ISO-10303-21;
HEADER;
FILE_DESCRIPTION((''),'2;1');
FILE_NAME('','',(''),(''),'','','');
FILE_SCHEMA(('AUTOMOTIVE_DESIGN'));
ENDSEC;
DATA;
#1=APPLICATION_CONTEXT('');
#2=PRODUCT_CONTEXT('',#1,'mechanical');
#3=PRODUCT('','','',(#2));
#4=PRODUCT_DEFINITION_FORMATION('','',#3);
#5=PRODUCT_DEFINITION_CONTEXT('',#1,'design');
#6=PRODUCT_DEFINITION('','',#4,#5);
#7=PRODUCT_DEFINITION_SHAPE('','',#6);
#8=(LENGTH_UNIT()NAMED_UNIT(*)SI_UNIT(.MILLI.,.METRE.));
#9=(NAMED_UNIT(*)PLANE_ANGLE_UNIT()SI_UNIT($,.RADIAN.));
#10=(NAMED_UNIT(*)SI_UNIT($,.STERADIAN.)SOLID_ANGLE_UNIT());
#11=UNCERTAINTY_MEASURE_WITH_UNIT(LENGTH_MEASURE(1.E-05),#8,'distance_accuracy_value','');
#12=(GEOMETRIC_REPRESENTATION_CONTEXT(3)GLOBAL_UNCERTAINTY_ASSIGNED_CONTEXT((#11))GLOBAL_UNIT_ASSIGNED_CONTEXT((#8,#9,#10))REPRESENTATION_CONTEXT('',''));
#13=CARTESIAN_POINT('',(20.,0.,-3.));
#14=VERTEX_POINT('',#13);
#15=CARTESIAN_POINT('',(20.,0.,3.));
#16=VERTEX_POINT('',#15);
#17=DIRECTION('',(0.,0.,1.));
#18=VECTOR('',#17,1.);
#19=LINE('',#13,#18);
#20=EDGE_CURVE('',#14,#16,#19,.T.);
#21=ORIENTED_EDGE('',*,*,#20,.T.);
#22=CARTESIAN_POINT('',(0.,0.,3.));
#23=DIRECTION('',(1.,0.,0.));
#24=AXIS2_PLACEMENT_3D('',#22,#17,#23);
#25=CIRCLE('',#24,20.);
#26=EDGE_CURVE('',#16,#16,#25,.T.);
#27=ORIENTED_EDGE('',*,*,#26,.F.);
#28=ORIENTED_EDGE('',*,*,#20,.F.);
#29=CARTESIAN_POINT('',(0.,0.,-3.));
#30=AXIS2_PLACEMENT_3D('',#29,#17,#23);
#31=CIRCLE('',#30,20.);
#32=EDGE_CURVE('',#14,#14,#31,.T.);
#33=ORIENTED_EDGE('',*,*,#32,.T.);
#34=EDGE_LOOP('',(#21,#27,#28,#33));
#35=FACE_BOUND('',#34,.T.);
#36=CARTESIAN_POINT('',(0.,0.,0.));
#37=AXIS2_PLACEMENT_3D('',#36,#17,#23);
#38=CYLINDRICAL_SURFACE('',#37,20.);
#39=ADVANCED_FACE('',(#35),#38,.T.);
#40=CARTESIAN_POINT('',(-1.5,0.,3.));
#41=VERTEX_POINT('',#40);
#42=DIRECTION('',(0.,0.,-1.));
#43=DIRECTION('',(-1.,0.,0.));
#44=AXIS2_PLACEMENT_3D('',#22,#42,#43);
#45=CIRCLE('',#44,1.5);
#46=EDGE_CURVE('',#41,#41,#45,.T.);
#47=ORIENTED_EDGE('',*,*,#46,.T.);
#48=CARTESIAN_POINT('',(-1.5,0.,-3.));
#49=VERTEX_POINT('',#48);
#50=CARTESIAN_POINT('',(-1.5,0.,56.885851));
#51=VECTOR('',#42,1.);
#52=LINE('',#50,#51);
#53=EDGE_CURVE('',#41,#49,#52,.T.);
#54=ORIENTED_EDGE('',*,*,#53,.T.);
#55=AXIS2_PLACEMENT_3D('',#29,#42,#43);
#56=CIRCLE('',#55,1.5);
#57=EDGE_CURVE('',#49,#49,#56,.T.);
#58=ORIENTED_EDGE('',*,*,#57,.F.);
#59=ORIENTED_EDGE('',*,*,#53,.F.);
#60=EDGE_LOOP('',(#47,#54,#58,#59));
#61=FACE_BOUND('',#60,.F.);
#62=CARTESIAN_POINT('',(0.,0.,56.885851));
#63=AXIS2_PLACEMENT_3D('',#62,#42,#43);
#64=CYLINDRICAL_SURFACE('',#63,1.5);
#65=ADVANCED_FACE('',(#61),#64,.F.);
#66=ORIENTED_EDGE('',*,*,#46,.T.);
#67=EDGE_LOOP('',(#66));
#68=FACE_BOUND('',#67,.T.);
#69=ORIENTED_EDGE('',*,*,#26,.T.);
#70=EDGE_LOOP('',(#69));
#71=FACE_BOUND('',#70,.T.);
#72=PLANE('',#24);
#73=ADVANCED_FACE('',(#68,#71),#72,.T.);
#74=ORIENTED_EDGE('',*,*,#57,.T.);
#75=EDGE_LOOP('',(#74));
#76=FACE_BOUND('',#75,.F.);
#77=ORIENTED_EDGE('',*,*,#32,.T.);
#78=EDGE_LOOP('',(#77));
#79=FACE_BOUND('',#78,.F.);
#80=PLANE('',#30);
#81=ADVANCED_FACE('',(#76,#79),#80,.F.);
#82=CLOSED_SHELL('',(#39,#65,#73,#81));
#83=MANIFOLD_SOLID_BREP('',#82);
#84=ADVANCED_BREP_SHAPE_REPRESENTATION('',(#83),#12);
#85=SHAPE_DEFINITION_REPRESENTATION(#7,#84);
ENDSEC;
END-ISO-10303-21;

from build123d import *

# Parameters (mm, degrees)
F0_R     = 20
F1_DEPTH = 3
F2_D     = 3
F3_D     = 3


with BuildPart() as f1:
    # F0 (on Top) → F1 (new body, symmetric)
    with BuildSketch(Plane.XY):
        Circle(F0_R)
    extrude(amount=F1_DEPTH, both=True)

    # F2 (through all)
    with Locations(Plane.XY):
        with Locations((0, 0)):
            Hole(F2_D / 2)

    # F3 (through all)
    with Locations(Plane(origin=(0, 0, 0), x_dir=(1, 0, 0), z_dir=(0, 0, -1))):
        with Locations((0, 0)):
            Hole(F3_D / 2)


solid = f1.part
